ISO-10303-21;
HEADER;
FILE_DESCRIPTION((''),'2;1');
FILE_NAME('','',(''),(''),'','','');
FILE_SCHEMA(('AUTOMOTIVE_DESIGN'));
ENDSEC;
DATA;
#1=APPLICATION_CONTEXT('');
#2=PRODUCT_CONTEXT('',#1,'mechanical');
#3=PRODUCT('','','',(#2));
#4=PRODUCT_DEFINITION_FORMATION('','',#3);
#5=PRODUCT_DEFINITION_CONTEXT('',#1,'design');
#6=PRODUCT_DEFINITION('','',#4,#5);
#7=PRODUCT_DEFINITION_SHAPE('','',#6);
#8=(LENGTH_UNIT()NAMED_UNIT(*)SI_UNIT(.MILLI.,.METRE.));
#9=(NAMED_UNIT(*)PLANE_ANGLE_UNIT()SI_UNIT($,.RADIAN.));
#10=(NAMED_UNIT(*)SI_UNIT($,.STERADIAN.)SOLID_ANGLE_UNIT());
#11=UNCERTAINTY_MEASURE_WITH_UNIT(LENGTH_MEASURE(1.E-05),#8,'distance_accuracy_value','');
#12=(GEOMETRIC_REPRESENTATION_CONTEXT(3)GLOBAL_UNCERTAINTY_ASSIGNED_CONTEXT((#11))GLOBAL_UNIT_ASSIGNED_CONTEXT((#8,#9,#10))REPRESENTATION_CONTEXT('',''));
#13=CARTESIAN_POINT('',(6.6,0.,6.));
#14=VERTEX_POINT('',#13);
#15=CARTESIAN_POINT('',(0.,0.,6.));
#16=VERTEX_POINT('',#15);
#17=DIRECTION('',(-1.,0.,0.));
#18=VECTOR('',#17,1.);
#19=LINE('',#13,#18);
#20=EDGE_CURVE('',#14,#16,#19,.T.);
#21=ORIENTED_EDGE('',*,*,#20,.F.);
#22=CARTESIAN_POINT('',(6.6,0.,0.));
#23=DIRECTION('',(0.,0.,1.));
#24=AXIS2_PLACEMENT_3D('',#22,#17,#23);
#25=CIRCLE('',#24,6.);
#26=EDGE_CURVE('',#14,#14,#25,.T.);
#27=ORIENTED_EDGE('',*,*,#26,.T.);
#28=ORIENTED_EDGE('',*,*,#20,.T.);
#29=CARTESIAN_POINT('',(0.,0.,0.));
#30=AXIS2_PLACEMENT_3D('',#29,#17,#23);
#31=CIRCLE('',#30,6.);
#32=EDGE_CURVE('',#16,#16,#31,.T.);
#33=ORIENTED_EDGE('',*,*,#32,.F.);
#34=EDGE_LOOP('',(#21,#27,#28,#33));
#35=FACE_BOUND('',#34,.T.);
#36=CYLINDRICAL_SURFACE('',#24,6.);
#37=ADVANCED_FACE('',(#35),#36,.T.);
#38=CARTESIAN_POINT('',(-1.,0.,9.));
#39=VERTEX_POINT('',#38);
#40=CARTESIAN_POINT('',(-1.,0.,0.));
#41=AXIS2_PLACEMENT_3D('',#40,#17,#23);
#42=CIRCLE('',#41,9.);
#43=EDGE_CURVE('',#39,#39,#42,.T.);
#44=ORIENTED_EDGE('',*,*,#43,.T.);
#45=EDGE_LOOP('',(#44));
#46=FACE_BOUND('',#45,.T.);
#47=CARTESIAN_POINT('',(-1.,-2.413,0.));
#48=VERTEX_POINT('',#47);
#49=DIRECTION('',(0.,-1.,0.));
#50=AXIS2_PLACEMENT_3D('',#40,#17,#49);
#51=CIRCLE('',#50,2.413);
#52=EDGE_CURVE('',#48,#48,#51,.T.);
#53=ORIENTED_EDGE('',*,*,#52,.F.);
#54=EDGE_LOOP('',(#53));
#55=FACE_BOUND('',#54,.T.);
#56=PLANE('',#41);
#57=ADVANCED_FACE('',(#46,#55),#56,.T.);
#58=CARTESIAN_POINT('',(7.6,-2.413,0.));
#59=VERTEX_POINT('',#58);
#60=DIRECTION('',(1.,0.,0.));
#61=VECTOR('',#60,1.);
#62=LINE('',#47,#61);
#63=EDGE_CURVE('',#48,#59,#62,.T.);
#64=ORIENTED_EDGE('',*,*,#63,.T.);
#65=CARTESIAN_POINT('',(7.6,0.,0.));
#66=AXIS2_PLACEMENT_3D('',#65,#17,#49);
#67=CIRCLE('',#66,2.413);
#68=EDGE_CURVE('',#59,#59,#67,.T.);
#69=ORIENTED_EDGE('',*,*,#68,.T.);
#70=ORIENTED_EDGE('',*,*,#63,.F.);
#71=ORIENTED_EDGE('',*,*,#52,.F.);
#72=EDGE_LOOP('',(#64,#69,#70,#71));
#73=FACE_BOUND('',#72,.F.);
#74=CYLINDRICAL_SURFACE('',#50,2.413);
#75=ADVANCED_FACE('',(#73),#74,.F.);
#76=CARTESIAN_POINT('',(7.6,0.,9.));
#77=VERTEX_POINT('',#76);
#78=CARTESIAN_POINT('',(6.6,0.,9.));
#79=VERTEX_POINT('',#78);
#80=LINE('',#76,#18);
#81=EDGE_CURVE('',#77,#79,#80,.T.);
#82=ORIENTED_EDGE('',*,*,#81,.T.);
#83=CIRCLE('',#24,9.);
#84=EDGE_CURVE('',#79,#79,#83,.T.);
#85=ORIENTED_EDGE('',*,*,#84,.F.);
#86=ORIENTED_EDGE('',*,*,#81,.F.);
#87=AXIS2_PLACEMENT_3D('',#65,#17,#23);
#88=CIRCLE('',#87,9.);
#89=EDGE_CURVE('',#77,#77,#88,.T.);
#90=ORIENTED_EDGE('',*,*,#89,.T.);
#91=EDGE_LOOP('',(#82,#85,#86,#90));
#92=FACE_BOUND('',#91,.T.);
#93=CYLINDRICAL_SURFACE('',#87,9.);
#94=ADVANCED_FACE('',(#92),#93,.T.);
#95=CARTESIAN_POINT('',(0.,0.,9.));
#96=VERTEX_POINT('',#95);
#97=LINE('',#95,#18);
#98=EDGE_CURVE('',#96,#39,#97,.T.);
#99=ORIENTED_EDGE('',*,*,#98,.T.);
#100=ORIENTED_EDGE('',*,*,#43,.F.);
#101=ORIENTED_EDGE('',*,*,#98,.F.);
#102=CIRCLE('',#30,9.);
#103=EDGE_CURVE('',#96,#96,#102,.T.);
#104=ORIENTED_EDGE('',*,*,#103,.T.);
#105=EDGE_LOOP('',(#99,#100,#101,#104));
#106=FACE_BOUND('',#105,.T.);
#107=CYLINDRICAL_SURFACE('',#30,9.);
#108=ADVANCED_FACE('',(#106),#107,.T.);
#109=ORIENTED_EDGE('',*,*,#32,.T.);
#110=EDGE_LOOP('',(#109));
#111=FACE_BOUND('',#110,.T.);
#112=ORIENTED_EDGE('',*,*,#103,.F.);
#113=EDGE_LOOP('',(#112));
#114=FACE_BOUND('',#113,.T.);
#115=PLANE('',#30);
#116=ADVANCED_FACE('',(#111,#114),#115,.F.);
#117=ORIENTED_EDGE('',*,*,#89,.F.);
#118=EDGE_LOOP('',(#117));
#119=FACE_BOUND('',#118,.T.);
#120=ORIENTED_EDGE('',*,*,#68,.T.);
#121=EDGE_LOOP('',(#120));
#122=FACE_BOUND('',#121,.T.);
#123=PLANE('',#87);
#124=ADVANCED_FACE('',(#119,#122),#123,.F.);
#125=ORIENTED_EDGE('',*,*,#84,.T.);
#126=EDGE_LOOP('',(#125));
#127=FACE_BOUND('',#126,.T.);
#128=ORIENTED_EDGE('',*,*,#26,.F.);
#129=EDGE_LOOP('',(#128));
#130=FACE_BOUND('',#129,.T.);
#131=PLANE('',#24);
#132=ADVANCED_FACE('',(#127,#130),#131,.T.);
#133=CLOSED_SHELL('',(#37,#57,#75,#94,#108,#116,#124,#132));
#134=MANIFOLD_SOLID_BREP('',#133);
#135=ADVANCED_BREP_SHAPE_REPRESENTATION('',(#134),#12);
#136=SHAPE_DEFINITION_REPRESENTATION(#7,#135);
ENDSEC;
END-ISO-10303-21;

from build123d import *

# Parameters (mm, degrees)
F2_R     = 2.413
F3_DEPTH = 25.4


with BuildPart() as f1:
    # F0 (on Front) → F1 (revolve)
    with BuildSketch(Plane.XZ):
        Polygon((6.6, 9), (6.6, 6), (0, 6), (0, 9), (-1, 9), (-1, 0), (0, 0), (6.6, 0), (7.6, 0), (7.6, 9), align=None)
    revolve(axis=Axis((3.3, 0, 0), (-1, 0, 0)))

    # F2 (on face) → F3 (cut)
    with BuildSketch(Plane(origin=(-1, 0, 0), x_dir=(0, -1, 0), z_dir=(-1, 0, 0))):
        Circle(F2_R)
    extrude(amount=-F3_DEPTH, mode=Mode.SUBTRACT)


solid = f1.part
